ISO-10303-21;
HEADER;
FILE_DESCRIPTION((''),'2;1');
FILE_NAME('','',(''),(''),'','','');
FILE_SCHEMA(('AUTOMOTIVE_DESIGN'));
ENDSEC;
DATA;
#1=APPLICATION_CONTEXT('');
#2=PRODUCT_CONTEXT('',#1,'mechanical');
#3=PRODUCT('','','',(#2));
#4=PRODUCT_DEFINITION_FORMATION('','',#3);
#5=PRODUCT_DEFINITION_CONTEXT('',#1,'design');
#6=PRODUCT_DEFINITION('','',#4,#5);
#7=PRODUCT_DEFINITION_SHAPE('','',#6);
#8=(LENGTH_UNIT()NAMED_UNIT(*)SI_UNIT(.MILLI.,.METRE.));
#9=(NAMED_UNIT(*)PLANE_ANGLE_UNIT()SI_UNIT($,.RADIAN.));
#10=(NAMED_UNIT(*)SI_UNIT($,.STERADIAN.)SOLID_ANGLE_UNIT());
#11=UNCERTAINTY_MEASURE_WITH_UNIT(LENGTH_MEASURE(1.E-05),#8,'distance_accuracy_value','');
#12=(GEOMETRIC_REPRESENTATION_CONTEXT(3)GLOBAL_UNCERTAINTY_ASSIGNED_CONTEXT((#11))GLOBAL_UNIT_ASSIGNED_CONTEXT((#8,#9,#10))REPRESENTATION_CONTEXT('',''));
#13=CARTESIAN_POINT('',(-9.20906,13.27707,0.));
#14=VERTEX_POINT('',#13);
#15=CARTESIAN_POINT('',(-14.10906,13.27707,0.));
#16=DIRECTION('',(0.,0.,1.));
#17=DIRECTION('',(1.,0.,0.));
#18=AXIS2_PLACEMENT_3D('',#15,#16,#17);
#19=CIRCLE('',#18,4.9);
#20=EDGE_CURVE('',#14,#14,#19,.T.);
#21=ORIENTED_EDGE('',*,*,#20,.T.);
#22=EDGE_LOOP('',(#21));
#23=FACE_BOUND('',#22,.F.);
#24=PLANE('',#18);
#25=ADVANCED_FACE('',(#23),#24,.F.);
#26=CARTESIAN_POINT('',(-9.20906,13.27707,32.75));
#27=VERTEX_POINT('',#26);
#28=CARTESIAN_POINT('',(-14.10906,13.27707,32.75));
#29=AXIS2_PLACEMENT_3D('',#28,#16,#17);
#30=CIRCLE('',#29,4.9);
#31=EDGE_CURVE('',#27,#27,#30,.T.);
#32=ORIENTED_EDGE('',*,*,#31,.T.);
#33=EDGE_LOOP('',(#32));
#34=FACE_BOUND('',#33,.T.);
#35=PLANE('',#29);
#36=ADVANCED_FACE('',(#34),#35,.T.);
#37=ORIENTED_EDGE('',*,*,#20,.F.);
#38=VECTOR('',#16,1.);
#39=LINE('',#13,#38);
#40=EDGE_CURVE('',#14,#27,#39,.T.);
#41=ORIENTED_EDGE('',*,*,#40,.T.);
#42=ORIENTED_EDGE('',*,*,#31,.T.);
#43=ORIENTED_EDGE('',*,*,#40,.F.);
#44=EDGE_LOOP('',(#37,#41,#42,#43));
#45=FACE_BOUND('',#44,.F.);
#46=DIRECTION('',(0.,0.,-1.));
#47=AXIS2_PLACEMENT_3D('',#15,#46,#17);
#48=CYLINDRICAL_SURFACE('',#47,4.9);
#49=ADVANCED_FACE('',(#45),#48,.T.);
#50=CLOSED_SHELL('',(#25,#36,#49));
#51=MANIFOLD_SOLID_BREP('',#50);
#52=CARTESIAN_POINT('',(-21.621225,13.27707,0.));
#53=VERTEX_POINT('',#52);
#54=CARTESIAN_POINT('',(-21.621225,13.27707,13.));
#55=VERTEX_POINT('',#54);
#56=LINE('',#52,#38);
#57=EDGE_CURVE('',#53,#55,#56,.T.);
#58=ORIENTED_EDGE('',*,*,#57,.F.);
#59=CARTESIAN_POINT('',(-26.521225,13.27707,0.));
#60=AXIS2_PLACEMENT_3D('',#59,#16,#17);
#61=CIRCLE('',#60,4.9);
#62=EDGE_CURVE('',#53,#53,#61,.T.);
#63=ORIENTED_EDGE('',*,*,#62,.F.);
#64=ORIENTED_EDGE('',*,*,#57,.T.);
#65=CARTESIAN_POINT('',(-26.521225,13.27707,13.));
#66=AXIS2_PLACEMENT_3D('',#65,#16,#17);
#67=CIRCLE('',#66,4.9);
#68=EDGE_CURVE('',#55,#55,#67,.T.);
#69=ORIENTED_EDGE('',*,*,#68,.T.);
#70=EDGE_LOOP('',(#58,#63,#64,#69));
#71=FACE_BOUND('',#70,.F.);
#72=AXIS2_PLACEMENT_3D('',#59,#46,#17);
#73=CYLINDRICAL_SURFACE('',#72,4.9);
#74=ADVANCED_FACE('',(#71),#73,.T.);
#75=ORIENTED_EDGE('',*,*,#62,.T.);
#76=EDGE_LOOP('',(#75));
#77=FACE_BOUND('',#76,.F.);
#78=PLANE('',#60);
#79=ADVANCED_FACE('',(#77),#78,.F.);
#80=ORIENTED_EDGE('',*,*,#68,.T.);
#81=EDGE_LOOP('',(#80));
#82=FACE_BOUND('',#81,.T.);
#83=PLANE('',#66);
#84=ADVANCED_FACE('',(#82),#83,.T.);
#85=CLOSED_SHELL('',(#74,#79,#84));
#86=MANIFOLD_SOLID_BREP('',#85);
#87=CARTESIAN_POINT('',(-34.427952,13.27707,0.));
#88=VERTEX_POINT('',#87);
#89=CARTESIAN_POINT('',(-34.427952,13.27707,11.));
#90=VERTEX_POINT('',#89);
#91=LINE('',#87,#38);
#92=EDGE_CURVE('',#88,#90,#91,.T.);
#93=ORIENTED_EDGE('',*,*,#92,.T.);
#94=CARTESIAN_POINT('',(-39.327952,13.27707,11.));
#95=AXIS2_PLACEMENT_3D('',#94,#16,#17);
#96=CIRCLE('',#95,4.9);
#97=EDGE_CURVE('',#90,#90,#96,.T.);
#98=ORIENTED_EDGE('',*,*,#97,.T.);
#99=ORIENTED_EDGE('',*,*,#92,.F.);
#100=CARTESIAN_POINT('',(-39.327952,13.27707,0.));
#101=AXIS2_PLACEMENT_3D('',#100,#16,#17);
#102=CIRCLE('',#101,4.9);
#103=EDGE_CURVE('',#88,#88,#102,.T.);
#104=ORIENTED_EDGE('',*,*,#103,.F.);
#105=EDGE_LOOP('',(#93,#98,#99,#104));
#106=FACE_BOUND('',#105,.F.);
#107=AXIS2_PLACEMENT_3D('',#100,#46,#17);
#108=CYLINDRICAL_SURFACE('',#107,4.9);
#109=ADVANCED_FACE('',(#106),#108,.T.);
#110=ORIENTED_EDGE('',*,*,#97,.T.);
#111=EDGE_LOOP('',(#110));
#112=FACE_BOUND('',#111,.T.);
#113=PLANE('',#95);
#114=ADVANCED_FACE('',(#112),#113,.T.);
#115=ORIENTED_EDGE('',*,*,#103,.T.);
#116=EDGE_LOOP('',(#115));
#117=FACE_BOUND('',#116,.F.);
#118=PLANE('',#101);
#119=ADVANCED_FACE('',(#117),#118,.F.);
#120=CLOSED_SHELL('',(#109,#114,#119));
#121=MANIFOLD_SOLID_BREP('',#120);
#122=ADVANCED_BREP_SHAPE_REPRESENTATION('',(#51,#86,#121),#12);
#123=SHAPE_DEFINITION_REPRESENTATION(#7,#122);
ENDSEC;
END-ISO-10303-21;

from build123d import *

# Parameters (mm, degrees)
F0_R     = 4.9
F1_DEPTH = 11
F2_DEPTH = 13
F3_DEPTH = 32.75


with BuildPart() as f1:
    # F0 (on Top) → F1 (new body)
    with BuildSketch(Plane.XY):
        with Locations((-39.327952, 13.27707)):
            Circle(F0_R)
    extrude(amount=F1_DEPTH)


with BuildPart() as f2:
    # F0 (on Top) → F2 (new body)
    with BuildSketch(Plane.XY):
        with Locations((-26.521225, 13.27707)):
            Circle(F0_R)
    extrude(amount=F2_DEPTH)


with BuildPart() as f3:
    # F0 (on Top) → F3 (new body)
    with BuildSketch(Plane.XY):
        with Locations((-14.10906, 13.27707)):
            Circle(F0_R)
    extrude(amount=F3_DEPTH)


solid = Compound([f1.part, f2.part, f3.part])
